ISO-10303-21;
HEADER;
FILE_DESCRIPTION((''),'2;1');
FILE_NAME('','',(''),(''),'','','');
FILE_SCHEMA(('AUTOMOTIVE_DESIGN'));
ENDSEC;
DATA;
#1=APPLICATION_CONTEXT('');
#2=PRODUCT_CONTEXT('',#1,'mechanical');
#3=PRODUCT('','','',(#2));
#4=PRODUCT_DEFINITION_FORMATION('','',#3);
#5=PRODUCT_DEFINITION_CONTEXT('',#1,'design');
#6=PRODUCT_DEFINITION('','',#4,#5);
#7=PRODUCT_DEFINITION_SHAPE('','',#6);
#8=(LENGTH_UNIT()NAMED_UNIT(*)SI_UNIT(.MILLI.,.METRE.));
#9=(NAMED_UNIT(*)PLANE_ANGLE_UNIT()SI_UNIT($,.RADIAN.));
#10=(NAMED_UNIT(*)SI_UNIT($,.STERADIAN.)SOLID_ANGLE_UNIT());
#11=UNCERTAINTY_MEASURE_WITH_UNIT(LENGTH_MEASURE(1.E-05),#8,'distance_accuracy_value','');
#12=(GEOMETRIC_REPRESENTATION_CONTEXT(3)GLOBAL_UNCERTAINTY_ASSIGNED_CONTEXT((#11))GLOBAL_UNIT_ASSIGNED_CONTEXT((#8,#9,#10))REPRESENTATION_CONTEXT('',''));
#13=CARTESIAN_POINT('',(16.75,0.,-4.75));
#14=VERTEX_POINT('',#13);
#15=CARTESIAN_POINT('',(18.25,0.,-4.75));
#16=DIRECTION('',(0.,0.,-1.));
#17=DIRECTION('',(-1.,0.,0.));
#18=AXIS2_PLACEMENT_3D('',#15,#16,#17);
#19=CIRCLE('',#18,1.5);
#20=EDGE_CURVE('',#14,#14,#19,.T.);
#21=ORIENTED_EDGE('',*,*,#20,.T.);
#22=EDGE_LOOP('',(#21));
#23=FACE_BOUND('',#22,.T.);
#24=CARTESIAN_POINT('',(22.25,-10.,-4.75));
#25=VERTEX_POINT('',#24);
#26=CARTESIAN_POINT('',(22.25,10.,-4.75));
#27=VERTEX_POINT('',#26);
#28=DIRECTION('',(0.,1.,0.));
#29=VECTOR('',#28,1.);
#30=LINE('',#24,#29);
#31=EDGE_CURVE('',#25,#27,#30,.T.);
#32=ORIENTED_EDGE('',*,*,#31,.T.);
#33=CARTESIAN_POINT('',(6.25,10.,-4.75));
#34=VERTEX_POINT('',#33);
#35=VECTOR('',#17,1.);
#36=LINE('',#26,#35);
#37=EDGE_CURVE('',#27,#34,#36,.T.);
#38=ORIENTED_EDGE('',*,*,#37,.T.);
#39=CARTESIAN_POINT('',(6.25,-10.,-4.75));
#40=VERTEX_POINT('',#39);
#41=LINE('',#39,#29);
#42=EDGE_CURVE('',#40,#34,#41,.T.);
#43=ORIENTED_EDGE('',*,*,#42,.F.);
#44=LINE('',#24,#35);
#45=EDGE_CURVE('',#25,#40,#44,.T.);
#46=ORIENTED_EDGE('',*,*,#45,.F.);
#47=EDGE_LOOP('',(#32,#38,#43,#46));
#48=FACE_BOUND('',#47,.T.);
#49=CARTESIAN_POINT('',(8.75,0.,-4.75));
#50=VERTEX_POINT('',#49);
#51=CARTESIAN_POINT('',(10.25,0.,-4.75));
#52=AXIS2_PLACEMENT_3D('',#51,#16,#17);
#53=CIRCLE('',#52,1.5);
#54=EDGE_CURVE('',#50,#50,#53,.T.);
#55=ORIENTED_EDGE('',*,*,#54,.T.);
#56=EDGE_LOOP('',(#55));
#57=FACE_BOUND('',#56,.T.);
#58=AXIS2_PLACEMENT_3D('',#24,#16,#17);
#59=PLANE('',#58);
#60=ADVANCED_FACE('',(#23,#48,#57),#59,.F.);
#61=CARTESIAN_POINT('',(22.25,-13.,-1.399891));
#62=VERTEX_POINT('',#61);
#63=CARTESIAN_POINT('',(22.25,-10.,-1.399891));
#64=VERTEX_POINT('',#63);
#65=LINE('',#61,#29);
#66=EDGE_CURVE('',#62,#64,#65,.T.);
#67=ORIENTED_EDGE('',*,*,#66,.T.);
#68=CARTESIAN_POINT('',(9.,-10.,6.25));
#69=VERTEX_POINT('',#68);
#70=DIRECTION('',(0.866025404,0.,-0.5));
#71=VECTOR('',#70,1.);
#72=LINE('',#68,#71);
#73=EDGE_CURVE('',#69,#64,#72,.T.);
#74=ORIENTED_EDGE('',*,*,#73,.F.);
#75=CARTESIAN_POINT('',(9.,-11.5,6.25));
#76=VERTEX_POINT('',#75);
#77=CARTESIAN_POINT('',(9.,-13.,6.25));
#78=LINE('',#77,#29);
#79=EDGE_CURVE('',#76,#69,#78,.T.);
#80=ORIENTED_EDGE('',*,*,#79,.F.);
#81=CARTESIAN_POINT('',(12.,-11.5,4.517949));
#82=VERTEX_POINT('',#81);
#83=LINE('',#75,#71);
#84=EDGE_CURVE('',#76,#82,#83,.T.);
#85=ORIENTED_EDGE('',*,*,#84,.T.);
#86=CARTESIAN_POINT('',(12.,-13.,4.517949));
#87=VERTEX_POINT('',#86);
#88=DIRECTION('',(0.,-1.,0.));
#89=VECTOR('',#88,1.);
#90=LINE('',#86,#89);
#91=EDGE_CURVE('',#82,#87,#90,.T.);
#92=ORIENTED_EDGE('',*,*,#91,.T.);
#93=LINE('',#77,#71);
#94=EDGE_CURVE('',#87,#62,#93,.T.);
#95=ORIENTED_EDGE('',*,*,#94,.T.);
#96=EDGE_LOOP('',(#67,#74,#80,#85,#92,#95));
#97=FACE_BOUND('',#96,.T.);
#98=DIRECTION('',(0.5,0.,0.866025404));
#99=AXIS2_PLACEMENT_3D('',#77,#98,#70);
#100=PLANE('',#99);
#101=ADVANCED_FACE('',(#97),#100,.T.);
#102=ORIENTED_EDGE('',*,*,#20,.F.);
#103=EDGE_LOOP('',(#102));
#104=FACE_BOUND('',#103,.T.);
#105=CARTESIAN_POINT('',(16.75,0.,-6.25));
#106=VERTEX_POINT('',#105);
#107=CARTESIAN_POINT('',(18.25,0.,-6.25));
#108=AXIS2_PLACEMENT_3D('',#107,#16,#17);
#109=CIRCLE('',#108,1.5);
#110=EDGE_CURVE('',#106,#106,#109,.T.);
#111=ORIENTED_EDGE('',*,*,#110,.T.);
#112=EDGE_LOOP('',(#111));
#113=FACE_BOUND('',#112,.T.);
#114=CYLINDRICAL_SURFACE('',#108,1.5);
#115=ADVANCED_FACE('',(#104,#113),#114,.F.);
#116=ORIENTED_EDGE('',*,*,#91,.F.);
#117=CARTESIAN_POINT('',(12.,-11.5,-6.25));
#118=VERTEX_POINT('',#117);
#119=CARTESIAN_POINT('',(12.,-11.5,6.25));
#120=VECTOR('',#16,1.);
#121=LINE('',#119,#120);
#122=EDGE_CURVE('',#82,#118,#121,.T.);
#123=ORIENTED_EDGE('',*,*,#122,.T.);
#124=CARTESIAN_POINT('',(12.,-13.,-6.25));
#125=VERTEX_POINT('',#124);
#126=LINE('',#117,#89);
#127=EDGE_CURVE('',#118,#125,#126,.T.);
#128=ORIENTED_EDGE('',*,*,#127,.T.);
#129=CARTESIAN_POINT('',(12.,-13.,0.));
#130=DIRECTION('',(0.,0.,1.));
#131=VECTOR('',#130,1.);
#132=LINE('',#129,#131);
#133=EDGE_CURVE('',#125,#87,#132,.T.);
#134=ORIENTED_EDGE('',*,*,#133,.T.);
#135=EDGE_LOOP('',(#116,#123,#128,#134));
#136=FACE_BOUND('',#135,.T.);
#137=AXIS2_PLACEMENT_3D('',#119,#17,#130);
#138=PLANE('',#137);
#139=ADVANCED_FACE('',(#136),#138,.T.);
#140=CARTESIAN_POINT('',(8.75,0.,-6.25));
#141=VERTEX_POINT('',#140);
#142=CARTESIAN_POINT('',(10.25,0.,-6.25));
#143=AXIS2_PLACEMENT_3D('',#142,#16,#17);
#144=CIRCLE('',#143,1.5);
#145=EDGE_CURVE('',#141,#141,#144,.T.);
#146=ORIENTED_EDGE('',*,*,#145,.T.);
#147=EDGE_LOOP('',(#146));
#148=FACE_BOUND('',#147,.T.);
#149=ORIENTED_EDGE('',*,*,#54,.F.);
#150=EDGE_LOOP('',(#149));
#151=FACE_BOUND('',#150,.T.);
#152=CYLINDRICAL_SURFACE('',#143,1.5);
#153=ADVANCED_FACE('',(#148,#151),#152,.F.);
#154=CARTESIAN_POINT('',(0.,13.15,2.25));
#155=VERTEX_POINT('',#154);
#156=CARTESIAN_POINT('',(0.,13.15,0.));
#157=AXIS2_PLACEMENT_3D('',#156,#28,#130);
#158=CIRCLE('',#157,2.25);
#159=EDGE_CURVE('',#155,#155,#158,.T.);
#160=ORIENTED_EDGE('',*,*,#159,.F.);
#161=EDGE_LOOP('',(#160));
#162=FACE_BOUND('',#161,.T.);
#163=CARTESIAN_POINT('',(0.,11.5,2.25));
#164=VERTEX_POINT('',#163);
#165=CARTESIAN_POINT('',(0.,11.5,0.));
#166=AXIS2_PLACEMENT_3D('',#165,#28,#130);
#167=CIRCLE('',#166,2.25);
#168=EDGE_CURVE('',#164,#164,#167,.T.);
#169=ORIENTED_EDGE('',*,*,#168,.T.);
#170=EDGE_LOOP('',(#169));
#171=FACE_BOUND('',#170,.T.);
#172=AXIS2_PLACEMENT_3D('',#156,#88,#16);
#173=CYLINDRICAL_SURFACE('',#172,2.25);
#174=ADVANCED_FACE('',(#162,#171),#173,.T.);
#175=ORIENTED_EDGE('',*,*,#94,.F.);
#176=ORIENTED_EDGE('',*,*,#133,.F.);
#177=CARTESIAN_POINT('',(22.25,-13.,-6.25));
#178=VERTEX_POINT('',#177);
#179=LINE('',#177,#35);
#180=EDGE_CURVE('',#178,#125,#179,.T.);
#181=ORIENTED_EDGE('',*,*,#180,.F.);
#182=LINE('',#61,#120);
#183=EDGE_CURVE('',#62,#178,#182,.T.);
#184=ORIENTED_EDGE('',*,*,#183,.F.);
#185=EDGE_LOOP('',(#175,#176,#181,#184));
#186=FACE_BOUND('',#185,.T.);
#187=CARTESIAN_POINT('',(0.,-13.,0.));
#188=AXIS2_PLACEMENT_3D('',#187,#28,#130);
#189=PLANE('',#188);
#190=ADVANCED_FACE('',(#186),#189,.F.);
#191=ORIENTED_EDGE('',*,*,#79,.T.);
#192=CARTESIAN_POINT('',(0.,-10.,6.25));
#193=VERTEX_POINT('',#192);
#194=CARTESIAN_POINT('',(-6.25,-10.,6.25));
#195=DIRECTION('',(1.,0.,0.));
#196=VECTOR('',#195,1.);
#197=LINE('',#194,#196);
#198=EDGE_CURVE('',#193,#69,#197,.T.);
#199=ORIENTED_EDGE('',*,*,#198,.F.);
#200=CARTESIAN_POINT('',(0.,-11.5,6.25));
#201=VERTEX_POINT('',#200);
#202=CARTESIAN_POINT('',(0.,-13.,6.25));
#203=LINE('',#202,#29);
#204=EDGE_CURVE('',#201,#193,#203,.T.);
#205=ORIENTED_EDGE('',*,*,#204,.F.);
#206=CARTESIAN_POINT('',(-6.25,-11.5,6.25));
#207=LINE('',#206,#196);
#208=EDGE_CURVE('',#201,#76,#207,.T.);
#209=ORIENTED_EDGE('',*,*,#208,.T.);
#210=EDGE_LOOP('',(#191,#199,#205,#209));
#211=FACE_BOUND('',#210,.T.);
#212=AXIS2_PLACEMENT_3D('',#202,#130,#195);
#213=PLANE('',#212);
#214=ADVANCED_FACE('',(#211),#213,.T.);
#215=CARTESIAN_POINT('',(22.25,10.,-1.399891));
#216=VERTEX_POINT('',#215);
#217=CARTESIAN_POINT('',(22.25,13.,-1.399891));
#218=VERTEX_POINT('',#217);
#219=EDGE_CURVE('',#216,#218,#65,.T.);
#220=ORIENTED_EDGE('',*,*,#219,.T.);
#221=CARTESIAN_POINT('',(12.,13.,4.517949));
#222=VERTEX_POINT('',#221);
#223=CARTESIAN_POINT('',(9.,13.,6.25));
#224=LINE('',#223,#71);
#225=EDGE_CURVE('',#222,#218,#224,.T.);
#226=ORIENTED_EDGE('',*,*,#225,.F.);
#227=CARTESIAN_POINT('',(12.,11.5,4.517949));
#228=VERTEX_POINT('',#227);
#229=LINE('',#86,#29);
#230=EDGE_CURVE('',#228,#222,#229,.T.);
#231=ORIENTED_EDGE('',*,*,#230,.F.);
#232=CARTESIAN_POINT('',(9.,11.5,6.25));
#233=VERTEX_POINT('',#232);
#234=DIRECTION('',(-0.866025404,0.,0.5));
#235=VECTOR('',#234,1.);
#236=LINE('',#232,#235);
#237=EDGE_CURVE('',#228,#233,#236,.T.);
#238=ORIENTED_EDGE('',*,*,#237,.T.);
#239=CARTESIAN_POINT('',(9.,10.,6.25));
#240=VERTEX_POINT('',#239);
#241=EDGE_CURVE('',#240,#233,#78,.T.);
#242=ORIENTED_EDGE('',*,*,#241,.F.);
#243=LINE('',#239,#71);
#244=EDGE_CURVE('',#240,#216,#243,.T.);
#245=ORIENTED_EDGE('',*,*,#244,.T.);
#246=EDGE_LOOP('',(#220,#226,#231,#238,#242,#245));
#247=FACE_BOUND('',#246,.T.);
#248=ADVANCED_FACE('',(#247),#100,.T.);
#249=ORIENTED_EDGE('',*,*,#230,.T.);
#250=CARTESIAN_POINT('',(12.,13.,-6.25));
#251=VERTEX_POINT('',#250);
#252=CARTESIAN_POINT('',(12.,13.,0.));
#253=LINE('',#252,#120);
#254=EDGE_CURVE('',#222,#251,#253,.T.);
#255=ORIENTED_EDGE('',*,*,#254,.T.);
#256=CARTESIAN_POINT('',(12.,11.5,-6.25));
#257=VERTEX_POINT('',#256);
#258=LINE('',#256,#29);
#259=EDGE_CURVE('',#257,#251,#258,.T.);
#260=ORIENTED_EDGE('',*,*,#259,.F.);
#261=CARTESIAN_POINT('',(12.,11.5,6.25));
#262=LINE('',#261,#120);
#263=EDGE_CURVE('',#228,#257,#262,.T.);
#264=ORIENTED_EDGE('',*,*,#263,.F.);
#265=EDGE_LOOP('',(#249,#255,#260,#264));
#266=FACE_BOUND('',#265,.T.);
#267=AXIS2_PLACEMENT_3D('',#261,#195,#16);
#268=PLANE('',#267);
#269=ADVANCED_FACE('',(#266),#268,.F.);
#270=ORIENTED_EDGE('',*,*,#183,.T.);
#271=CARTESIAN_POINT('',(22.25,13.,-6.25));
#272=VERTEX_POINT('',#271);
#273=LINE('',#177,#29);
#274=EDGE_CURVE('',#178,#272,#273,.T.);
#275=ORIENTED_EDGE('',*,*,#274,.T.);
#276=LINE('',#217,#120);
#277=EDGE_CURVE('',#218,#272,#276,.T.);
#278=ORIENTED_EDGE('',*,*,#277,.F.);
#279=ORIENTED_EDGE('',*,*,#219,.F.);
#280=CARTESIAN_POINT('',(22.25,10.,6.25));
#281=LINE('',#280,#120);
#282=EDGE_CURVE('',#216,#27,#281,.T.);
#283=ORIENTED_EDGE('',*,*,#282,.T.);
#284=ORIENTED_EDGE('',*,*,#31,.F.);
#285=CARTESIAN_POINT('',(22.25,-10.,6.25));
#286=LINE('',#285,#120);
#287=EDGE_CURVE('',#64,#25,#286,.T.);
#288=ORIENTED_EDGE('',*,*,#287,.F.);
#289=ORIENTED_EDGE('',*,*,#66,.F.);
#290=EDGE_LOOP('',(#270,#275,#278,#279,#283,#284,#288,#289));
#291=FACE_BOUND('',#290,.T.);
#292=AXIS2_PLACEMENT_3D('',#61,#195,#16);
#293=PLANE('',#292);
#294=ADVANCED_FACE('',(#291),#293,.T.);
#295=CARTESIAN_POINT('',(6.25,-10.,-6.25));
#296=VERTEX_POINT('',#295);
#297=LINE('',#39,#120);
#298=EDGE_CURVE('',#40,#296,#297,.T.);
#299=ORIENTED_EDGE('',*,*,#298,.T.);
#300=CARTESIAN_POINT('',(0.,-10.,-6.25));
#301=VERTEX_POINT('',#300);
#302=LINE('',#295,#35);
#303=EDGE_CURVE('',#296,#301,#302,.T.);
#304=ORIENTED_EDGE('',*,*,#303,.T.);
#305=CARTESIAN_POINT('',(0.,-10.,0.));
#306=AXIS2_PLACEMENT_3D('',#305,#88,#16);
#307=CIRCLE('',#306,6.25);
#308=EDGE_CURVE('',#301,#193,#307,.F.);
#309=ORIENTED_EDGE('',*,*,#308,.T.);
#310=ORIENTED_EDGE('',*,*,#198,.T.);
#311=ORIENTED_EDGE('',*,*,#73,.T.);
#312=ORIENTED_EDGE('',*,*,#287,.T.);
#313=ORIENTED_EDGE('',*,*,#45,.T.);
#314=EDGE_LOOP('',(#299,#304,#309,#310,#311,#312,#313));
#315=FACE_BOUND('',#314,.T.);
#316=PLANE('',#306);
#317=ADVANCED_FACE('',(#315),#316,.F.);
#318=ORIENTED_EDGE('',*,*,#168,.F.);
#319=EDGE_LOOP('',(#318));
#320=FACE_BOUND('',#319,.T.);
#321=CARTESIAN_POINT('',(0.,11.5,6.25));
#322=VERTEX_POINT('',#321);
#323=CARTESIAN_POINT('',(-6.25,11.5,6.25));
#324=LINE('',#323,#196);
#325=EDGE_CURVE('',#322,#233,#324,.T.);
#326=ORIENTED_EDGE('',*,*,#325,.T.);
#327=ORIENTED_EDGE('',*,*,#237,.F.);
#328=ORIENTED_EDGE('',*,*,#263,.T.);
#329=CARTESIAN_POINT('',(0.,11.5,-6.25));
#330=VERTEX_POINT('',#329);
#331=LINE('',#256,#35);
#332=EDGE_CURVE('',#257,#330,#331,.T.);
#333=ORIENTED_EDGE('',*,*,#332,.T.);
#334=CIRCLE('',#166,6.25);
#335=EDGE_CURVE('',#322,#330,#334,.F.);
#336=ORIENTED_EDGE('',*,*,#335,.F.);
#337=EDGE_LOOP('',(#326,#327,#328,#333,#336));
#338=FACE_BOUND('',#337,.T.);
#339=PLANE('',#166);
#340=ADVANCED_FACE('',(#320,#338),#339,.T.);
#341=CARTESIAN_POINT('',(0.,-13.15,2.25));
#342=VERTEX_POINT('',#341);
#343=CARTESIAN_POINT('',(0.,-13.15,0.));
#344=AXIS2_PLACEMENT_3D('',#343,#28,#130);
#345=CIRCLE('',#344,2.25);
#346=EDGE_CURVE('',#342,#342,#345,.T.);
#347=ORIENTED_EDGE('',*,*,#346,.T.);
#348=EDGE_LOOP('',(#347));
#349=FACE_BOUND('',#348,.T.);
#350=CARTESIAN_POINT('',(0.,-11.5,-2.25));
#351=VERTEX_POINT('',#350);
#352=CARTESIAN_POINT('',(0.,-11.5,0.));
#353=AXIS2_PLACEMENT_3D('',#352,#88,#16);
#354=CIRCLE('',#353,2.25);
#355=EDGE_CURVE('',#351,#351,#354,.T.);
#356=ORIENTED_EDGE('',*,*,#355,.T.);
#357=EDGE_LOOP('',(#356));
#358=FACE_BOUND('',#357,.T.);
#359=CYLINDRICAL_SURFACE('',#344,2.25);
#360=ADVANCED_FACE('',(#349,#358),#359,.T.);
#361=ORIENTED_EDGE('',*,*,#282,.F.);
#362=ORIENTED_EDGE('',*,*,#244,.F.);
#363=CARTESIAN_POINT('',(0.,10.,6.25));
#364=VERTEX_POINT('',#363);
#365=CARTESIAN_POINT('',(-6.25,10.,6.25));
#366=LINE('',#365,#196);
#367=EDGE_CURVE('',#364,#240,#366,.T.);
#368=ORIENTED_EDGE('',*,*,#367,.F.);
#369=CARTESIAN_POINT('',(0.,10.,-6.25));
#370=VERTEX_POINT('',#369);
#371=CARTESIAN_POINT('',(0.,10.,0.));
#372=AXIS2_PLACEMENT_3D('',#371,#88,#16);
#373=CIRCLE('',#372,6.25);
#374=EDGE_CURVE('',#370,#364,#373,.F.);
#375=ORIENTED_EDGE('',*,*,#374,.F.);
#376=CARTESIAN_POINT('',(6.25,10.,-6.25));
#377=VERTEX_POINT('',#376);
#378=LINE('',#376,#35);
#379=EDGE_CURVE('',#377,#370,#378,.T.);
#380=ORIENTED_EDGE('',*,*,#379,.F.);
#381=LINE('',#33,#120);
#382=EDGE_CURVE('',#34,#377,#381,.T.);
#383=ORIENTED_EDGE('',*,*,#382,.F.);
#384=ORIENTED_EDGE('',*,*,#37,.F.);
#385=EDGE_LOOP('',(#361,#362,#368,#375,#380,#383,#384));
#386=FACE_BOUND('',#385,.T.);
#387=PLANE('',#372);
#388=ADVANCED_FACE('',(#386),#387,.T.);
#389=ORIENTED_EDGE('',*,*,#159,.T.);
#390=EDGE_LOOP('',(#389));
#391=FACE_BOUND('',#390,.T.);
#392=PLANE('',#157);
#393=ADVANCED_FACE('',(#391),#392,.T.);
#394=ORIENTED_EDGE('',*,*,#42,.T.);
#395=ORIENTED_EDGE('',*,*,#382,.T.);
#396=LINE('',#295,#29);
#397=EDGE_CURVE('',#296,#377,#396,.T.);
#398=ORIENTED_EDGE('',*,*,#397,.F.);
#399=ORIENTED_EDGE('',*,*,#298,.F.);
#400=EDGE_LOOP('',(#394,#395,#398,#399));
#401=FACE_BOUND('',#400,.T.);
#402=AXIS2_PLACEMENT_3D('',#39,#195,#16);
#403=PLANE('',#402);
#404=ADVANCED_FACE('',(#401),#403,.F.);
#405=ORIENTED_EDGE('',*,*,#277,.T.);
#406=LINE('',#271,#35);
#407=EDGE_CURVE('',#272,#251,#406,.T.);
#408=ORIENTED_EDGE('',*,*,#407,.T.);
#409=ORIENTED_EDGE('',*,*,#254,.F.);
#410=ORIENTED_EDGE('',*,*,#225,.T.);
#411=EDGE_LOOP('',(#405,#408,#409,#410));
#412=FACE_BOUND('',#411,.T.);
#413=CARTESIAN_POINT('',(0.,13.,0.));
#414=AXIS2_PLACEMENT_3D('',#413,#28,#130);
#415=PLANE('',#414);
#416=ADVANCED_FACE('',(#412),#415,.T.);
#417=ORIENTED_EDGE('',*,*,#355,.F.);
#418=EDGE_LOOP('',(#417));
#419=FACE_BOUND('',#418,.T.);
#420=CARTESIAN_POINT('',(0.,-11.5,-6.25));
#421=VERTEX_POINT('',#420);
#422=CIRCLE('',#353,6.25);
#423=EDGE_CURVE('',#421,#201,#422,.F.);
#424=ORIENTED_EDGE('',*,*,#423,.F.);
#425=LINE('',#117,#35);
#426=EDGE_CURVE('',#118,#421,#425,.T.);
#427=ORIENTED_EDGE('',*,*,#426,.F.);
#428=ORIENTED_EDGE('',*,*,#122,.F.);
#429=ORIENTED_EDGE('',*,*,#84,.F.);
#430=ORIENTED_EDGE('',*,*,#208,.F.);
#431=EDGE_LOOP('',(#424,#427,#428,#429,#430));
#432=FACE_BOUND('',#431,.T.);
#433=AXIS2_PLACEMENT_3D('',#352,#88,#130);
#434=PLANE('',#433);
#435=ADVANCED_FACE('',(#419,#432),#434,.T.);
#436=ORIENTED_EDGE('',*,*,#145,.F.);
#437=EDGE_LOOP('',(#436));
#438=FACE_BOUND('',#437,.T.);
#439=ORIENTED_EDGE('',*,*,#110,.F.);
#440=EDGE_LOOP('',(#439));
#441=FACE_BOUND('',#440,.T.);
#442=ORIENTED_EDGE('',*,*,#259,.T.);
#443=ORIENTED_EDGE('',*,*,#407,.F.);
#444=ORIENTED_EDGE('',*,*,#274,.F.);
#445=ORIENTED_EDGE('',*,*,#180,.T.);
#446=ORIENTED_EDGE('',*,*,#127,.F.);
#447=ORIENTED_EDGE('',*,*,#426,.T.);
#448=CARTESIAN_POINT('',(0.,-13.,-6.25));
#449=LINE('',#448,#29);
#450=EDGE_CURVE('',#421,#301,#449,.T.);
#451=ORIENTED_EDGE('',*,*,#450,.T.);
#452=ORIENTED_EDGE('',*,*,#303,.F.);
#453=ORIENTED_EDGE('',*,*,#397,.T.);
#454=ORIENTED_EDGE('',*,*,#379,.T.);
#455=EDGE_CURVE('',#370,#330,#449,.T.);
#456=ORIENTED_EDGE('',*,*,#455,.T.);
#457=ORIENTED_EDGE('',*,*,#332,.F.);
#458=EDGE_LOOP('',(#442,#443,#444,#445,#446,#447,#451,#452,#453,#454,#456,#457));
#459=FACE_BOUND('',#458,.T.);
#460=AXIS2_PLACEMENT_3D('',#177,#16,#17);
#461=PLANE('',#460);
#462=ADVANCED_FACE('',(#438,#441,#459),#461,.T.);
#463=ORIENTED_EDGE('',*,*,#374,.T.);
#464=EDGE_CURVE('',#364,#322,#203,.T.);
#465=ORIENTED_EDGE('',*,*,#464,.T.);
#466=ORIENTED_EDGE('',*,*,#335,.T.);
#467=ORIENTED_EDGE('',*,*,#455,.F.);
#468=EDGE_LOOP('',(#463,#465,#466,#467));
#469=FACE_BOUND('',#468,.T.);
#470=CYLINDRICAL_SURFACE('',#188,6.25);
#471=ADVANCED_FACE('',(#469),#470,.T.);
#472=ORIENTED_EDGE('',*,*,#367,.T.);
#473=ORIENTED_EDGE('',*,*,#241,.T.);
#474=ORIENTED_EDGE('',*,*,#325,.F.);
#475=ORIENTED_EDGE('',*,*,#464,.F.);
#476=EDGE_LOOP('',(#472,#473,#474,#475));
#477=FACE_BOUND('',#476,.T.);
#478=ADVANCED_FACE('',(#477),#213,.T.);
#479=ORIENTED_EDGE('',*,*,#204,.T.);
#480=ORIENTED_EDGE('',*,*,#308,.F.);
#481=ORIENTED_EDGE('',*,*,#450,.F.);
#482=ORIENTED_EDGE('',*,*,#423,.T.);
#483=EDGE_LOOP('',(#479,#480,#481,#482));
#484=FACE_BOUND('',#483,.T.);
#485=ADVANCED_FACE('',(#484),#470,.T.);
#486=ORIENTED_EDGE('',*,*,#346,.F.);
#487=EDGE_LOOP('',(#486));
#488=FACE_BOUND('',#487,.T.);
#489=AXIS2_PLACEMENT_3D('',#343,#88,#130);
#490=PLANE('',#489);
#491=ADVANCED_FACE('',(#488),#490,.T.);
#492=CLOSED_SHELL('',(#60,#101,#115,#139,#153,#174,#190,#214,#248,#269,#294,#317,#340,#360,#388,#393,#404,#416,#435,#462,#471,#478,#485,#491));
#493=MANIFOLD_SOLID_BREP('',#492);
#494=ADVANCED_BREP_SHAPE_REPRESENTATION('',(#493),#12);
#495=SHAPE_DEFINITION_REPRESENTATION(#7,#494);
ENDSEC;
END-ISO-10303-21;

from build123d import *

# Parameters (mm, degrees)
BOSS_EXTRUDE1_DEPTH          = 13
CUT_EXTRUDE1_DEPTH           = 10
SKETCH3_W                    = 18.25
SKETCH3_H                    = 12.5
CUT_EXTRUDE2_DEPTH           = 1.5
SKETCH7_R                    = 2.25
BOSS_EXTRUDE2_DEPTH          = 1.65
F_3_0_3_DIAMETER_HOLE1_D     = 3
F_3_0_3_DIAMETER_HOLE1_DEPTH = 12.5


with BuildPart() as part:
    # Sketch1 → Boss-Extrude1 (new, symmetric)
    with BuildSketch(Plane(origin=(0, 0, 0), x_dir=(1, 0, 0), z_dir=(0, 1, 0))):
        with BuildLine():
            Line((9, -6.25), (22.25, 1.399891067))
            Line((22.25, 1.399891067), (22.25, 6.25))
            Line((22.25, 6.25), (0, 6.25))
            ThreePointArc((0, 6.25), (-6.25, 0), (0, -6.25))
            Line((0, -6.25), (9, -6.25))
        make_face()
    extrude(amount=BOSS_EXTRUDE1_DEPTH, both=True)

    # Sketch2 → Cut-Extrude1 (cut, symmetric)
    with BuildSketch(Plane(origin=(0, 0, 0), x_dir=(1, 0, 0), z_dir=(0, 1, 0))):
        Polygon((6.25, 4.75), (6.25, 6.25), (-6.25, 6.25), (-6.25, -6.25), (22.25, -6.25), (22.25, 4.75), align=None)
    extrude(amount=CUT_EXTRUDE1_DEPTH, both=True, mode=Mode.SUBTRACT)

    # Sketch3 → Cut-Extrude2 (cut)
    with BuildSketch(Plane(origin=(0, 13, 0), x_dir=(-1, 0, 0), z_dir=(0, 1, 0))):
        with Locations((-2.875, 0)):
            Rectangle(SKETCH3_W, SKETCH3_H)
    cut_extrude2 = extrude(amount=-CUT_EXTRUDE2_DEPTH, mode=Mode.SUBTRACT)

    # Mirror1: Cut-Extrude2 across plane
    add(cut_extrude2.mirror(Plane.ZX), mode=Mode.SUBTRACT)

    # Sketch7 → Boss-Extrude2 (add)
    with BuildSketch(Plane(origin=(0, 11.5, 0), x_dir=(-1, 0, 0), z_dir=(0, 1, 0))):
        with Locations(Location((0, 0, 0), (0, 0, 90))):
            Circle(SKETCH7_R)
    boss_extrude2 = extrude(amount=BOSS_EXTRUDE2_DEPTH)

    # Mirror2: Boss-Extrude2 across plane
    add(boss_extrude2.mirror(Plane.ZX))

    # Ø3.0 (3) Diameter Hole1
    with Locations(Plane(origin=(0, 0, -6.25), x_dir=(-1, 0, 0), z_dir=(0, 0, -1))):
        with Locations((-10.25, 0), (-18.25, 0)):
            Hole(F_3_0_3_DIAMETER_HOLE1_D / 2, depth=F_3_0_3_DIAMETER_HOLE1_DEPTH)


solid = part.part
